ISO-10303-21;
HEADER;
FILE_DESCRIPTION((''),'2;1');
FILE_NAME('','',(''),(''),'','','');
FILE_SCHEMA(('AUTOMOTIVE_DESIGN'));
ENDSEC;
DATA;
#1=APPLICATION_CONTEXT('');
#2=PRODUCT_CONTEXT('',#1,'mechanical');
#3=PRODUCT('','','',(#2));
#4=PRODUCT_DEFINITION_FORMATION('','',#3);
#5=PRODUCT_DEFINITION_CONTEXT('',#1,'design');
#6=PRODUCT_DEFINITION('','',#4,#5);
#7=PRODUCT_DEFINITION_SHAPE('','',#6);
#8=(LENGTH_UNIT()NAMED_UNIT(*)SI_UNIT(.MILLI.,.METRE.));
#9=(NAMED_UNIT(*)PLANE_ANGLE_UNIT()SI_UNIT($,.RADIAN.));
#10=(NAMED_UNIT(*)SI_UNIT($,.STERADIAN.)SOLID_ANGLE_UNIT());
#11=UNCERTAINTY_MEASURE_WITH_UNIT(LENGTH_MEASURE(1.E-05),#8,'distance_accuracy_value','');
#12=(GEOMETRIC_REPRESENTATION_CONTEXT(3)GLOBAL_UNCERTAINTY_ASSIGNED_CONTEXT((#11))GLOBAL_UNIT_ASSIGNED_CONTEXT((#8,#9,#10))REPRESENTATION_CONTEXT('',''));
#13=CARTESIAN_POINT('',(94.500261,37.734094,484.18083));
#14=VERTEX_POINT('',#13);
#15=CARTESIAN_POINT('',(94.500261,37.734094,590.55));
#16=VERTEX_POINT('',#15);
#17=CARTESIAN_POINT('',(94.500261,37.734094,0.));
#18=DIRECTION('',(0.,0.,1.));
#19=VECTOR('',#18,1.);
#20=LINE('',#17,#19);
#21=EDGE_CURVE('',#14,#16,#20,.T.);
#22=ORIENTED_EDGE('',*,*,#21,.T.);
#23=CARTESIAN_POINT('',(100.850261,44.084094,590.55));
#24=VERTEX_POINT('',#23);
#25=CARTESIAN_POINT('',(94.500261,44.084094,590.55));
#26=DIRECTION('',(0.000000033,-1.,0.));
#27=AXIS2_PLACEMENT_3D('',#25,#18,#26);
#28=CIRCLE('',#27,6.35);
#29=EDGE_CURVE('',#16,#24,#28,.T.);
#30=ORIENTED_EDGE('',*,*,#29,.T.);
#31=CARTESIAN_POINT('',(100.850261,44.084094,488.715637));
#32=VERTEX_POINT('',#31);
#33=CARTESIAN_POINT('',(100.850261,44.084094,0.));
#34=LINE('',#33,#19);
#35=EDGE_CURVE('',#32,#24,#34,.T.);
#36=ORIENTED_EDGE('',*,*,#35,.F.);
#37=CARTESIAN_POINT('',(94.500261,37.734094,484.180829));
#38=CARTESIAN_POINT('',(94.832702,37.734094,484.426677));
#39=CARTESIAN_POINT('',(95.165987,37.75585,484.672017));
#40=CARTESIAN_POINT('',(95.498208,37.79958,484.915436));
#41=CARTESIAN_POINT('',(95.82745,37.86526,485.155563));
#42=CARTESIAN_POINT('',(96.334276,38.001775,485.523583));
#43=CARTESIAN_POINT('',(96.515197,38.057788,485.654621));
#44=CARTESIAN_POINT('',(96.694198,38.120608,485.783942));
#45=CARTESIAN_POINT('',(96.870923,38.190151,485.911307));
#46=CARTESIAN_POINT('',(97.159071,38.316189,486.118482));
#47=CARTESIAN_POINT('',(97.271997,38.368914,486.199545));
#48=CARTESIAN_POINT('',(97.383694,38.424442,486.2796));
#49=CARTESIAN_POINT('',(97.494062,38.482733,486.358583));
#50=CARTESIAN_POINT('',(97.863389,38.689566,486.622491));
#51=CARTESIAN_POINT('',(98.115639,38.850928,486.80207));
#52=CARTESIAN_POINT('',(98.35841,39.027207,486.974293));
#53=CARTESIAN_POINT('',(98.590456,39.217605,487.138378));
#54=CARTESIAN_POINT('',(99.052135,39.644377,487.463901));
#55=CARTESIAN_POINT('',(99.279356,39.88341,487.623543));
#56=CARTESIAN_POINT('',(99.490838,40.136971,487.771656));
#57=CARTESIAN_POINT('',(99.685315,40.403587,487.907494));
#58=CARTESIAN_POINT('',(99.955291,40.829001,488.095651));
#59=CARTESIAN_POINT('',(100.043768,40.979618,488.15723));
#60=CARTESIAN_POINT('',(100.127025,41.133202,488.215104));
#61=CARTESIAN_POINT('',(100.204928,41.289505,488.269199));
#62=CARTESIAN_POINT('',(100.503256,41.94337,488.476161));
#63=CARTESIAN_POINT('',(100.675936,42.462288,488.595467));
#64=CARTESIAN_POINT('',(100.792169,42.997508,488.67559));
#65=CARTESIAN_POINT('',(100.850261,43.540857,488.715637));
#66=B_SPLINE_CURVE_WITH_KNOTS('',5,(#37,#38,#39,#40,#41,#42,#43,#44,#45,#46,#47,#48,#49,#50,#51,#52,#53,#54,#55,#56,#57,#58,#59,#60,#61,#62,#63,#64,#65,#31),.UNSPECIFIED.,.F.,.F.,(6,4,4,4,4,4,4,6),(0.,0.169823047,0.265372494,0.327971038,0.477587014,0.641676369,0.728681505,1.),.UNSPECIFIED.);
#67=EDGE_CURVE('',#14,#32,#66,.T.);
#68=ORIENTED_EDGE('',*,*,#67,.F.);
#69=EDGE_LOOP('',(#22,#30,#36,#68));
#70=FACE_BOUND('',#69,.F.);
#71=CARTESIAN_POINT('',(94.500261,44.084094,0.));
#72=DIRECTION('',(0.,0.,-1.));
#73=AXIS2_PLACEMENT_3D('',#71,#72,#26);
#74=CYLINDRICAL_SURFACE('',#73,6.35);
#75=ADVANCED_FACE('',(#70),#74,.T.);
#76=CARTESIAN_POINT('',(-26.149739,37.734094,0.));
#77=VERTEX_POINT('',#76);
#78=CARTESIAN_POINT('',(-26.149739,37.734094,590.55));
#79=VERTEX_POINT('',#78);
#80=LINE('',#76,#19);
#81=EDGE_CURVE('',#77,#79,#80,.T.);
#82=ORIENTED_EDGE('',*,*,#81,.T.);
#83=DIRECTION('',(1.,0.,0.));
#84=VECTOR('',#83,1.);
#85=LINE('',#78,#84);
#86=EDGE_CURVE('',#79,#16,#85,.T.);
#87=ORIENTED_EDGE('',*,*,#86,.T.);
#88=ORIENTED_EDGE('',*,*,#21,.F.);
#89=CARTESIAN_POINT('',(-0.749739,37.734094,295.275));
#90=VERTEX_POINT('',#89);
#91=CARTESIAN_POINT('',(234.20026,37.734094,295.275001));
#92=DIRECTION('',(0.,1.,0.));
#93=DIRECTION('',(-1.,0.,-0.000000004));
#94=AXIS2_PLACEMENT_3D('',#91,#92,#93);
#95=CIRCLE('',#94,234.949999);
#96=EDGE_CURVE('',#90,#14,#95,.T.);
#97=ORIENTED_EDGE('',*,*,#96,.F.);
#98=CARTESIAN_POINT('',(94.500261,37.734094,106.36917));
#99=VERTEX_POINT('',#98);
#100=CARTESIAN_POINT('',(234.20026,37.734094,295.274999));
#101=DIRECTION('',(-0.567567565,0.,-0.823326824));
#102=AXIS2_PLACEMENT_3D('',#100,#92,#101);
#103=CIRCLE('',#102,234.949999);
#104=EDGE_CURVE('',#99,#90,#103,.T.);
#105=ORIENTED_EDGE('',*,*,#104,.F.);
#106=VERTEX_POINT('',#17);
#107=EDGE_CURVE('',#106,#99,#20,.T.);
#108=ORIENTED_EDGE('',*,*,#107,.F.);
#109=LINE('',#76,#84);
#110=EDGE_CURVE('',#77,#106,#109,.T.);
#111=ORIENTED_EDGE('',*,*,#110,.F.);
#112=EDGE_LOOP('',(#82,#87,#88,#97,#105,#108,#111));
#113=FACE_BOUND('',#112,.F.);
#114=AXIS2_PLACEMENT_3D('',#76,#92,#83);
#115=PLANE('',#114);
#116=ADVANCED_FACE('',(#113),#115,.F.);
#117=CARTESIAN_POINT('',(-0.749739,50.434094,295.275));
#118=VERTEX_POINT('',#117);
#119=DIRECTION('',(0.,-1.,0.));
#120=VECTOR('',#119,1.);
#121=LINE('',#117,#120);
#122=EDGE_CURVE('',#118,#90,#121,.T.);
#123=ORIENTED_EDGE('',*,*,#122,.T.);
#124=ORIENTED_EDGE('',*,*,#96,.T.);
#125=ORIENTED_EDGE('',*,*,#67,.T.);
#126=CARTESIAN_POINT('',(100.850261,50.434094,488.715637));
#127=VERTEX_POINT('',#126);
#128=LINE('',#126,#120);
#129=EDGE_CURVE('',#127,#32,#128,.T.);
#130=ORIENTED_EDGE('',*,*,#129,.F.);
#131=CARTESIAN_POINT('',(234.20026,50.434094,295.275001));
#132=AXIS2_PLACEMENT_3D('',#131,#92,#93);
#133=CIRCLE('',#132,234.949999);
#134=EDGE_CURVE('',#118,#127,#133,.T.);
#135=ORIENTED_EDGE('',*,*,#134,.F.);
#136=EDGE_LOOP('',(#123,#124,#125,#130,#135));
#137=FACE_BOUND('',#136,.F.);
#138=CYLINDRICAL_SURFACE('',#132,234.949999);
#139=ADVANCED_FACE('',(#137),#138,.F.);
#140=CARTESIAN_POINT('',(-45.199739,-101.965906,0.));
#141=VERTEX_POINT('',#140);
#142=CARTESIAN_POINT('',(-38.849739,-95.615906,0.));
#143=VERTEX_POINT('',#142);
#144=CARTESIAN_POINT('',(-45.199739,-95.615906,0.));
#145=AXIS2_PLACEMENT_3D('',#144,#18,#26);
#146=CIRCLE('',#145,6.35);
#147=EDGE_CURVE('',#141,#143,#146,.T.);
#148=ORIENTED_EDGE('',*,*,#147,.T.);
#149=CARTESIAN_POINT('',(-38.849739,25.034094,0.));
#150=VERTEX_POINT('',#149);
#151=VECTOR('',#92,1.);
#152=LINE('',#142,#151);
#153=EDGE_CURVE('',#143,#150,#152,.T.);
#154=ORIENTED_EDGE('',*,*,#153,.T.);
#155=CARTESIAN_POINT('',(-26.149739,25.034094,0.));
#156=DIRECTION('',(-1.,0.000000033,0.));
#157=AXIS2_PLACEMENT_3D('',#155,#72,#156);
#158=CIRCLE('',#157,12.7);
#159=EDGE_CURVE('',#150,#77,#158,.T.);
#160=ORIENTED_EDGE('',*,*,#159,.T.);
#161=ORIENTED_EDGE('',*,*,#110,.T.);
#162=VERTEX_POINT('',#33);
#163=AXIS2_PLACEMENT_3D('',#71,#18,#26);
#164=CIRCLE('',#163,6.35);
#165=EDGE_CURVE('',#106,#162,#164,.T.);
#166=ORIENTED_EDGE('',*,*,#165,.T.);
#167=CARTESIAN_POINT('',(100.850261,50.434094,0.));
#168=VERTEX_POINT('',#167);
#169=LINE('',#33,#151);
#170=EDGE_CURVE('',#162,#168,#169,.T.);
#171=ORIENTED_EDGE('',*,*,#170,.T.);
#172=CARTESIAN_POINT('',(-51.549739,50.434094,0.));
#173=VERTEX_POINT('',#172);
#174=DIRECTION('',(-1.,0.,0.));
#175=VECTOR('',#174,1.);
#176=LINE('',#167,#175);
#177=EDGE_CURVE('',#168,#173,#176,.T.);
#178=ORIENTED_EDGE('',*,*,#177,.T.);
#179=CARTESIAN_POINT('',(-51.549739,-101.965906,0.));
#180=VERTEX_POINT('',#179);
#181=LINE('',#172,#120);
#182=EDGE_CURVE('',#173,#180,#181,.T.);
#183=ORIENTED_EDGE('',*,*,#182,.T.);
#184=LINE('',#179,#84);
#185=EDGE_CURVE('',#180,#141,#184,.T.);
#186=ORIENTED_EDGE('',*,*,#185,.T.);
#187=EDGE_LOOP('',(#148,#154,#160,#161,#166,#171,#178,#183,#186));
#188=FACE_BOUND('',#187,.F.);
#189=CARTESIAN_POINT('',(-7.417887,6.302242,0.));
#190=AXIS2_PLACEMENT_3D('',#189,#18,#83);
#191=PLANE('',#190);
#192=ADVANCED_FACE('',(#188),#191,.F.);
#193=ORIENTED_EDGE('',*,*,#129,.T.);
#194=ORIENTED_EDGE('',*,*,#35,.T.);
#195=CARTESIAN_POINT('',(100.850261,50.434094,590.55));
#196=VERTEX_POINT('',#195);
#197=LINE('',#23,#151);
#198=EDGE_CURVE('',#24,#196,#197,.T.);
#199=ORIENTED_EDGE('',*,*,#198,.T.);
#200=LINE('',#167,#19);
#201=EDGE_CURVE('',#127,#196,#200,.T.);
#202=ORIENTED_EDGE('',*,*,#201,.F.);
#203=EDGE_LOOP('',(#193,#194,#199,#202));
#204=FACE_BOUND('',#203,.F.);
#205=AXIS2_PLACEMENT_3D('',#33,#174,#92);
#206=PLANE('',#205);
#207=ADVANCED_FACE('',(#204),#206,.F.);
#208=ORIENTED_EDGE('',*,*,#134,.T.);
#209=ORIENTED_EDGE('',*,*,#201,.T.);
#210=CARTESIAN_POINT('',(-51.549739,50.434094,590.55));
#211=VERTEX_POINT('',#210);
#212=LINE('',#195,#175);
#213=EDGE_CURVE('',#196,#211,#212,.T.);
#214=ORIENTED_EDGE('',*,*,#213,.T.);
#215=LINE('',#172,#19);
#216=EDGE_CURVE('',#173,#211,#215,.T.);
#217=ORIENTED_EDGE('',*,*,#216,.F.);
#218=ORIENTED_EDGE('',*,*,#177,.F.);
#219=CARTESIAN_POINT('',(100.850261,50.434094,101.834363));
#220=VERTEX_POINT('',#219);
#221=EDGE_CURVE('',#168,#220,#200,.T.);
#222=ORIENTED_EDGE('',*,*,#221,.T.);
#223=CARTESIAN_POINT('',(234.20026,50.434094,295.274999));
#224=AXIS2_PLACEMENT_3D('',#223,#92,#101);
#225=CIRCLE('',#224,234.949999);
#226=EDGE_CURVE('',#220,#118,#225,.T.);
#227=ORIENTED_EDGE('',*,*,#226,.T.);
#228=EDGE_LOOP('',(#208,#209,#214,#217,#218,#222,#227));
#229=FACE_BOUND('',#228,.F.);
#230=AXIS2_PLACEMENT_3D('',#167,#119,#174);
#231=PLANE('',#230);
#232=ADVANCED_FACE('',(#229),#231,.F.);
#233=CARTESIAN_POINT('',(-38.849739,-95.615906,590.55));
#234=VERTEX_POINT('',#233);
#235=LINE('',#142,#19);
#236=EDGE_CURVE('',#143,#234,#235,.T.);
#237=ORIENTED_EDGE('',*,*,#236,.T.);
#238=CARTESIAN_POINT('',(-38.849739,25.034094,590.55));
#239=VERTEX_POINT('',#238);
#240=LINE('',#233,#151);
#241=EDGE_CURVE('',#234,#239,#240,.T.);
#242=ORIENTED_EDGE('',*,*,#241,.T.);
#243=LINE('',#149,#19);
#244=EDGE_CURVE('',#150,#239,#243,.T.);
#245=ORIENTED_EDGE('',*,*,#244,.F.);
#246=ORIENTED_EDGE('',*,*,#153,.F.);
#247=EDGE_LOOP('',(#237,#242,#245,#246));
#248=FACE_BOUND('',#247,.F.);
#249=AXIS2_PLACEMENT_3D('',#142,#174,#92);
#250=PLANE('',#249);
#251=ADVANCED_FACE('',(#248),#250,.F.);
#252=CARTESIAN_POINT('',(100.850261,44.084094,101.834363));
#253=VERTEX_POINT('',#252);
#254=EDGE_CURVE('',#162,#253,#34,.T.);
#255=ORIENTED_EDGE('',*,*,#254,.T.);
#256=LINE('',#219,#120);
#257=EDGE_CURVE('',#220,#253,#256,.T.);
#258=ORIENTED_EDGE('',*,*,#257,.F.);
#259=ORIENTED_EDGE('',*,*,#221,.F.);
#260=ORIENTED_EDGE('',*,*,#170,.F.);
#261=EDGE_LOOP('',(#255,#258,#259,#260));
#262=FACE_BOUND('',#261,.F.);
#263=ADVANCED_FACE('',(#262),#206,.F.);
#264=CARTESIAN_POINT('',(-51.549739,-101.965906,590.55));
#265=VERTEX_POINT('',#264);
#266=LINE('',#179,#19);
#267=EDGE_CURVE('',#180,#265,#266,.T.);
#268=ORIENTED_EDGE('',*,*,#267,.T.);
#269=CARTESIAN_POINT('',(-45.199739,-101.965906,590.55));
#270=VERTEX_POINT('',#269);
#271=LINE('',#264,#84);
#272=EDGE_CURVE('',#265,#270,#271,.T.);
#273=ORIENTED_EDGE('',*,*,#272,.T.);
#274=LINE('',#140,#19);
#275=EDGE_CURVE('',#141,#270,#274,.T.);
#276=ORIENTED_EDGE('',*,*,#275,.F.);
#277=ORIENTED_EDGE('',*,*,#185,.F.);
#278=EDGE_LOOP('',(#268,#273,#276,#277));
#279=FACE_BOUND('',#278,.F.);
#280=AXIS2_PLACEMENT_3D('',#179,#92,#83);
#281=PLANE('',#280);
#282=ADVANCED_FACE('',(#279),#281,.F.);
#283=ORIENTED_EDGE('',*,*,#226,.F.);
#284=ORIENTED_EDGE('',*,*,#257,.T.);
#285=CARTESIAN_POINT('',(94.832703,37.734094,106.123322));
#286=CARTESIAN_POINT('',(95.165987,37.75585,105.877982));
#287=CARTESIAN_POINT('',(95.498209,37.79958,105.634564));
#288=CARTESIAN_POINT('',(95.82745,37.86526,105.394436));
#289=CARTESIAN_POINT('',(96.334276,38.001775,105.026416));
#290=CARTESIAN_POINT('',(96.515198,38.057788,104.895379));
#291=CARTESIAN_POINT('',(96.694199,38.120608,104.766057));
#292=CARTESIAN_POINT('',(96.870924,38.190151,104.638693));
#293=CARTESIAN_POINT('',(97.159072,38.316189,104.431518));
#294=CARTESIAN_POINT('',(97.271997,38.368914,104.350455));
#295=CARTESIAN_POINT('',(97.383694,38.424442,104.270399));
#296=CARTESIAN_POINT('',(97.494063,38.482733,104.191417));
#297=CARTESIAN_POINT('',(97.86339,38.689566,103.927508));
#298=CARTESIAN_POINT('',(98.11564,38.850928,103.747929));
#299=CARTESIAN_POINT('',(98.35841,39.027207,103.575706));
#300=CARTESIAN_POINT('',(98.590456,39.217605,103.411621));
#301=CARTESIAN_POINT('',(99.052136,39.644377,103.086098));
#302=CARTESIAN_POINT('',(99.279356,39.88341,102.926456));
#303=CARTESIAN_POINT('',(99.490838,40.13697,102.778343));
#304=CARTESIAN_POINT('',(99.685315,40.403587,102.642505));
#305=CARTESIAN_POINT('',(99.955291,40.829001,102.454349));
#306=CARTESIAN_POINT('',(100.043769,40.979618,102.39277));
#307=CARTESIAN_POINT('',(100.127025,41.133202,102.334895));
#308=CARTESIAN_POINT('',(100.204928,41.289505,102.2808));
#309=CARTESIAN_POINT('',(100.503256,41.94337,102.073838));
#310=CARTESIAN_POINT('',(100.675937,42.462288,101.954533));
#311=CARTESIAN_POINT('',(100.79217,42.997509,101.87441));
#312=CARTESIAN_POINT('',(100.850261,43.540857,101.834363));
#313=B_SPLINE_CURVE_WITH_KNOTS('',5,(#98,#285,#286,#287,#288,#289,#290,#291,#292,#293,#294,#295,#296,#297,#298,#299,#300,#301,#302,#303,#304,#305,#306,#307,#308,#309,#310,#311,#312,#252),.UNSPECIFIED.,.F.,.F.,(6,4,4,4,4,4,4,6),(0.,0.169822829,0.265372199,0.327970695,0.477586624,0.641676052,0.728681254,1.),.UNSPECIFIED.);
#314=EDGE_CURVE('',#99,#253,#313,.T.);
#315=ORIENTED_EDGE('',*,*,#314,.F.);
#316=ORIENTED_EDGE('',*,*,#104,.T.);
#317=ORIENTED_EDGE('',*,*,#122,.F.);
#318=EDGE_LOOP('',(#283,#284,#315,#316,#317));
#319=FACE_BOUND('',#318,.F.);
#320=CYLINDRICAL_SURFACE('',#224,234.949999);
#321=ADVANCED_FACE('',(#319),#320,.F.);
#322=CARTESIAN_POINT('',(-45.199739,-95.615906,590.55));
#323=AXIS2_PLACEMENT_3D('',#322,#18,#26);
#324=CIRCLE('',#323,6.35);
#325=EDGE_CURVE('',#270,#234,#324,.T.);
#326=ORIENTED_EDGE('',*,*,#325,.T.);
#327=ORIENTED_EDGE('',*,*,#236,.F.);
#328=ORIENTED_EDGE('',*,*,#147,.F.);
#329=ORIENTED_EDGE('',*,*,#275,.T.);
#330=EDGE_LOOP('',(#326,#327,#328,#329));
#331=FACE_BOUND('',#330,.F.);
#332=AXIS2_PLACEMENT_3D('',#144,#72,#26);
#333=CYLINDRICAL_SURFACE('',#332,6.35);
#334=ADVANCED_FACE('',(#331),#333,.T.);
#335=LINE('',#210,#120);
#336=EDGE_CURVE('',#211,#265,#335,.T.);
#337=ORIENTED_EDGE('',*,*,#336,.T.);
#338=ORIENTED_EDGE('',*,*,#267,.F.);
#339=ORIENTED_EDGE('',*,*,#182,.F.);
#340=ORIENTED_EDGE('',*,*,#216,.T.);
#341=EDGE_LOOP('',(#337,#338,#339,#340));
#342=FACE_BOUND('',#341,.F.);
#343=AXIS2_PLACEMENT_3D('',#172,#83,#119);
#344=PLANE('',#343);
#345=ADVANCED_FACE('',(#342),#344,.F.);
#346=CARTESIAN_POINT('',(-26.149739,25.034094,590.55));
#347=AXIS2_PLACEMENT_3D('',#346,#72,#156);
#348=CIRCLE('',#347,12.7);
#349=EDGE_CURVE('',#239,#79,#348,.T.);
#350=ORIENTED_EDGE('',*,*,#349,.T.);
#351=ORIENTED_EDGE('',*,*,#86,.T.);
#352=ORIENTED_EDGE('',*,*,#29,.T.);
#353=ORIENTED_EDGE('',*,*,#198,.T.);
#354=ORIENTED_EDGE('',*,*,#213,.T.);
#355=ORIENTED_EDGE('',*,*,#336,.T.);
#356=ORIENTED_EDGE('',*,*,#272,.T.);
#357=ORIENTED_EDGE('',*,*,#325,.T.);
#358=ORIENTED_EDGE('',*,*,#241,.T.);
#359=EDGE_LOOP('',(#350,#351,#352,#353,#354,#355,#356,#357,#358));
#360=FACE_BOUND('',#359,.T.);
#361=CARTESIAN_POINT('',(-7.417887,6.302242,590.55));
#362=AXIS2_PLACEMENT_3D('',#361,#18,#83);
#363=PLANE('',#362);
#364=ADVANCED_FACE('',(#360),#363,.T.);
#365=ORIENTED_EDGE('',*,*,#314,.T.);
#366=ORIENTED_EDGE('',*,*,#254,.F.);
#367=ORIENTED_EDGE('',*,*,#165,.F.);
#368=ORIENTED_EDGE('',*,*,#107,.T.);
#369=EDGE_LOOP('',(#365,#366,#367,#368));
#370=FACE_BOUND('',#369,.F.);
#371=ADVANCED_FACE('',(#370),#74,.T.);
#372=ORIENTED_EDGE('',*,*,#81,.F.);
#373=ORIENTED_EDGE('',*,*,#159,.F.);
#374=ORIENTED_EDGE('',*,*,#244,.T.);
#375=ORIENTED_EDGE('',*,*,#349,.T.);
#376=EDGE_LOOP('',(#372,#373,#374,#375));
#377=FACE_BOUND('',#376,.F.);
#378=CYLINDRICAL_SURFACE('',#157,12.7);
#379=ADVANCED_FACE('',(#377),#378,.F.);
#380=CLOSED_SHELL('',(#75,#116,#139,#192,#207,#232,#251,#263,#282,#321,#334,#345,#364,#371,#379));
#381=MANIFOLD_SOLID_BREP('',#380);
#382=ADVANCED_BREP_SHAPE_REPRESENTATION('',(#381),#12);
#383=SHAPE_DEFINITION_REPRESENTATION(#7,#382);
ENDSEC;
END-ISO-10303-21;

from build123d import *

# Parameters (mm, degrees)
F1_DEPTH = 590.55
F3_DEPTH = 25.4


with BuildPart() as f1:
    # F0 (on Top) → F1 (new body)
    with BuildSketch(Plane.XY):
        with BuildLine():
            Line((100.850261, 44.084094), (100.850261, 50.434094))
            Line((100.850261, 50.434094), (-51.549739, 50.434094))
            Line((-51.549739, 50.434094), (-51.549739, -101.965906))
            Line((-51.549739, -101.965906), (-45.199739, -101.965906))
            ThreePointArc((-45.199739, -101.965906), (-40.709611, -100.106034), (-38.849739, -95.615906))
            Line((-38.849739, -95.615906), (-38.849739, 25.034094))
            ThreePointArc((-38.849739, 25.034094), (-35.129995, 34.01435), (-26.149739, 37.734094))
            Line((-26.149739, 37.734094), (94.500261, 37.734094))
            ThreePointArc((94.500261, 37.734094), (98.990389, 39.593966), (100.850261, 44.084094))
        make_face()
    extrude(amount=F1_DEPTH)

    # F2 (on face) → F3 (cut)
    with BuildSketch(Plane(origin=(0, 50.434094, 0), x_dir=(-1, 0, 0), z_dir=(0, 1, 0))):
        with BuildLine():
            ThreePointArc((-100.850261, 101.834363), (-26.195351, 186.025469), (0.749739, 295.275))
            ThreePointArc((0.749739, 295.275), (-26.195351, 404.524531), (-100.850261, 488.715637))
            Line((-100.850261, 488.715637), (-100.850261, 101.834363))
        make_face()
    extrude(amount=-F3_DEPTH, mode=Mode.SUBTRACT)


solid = f1.part
